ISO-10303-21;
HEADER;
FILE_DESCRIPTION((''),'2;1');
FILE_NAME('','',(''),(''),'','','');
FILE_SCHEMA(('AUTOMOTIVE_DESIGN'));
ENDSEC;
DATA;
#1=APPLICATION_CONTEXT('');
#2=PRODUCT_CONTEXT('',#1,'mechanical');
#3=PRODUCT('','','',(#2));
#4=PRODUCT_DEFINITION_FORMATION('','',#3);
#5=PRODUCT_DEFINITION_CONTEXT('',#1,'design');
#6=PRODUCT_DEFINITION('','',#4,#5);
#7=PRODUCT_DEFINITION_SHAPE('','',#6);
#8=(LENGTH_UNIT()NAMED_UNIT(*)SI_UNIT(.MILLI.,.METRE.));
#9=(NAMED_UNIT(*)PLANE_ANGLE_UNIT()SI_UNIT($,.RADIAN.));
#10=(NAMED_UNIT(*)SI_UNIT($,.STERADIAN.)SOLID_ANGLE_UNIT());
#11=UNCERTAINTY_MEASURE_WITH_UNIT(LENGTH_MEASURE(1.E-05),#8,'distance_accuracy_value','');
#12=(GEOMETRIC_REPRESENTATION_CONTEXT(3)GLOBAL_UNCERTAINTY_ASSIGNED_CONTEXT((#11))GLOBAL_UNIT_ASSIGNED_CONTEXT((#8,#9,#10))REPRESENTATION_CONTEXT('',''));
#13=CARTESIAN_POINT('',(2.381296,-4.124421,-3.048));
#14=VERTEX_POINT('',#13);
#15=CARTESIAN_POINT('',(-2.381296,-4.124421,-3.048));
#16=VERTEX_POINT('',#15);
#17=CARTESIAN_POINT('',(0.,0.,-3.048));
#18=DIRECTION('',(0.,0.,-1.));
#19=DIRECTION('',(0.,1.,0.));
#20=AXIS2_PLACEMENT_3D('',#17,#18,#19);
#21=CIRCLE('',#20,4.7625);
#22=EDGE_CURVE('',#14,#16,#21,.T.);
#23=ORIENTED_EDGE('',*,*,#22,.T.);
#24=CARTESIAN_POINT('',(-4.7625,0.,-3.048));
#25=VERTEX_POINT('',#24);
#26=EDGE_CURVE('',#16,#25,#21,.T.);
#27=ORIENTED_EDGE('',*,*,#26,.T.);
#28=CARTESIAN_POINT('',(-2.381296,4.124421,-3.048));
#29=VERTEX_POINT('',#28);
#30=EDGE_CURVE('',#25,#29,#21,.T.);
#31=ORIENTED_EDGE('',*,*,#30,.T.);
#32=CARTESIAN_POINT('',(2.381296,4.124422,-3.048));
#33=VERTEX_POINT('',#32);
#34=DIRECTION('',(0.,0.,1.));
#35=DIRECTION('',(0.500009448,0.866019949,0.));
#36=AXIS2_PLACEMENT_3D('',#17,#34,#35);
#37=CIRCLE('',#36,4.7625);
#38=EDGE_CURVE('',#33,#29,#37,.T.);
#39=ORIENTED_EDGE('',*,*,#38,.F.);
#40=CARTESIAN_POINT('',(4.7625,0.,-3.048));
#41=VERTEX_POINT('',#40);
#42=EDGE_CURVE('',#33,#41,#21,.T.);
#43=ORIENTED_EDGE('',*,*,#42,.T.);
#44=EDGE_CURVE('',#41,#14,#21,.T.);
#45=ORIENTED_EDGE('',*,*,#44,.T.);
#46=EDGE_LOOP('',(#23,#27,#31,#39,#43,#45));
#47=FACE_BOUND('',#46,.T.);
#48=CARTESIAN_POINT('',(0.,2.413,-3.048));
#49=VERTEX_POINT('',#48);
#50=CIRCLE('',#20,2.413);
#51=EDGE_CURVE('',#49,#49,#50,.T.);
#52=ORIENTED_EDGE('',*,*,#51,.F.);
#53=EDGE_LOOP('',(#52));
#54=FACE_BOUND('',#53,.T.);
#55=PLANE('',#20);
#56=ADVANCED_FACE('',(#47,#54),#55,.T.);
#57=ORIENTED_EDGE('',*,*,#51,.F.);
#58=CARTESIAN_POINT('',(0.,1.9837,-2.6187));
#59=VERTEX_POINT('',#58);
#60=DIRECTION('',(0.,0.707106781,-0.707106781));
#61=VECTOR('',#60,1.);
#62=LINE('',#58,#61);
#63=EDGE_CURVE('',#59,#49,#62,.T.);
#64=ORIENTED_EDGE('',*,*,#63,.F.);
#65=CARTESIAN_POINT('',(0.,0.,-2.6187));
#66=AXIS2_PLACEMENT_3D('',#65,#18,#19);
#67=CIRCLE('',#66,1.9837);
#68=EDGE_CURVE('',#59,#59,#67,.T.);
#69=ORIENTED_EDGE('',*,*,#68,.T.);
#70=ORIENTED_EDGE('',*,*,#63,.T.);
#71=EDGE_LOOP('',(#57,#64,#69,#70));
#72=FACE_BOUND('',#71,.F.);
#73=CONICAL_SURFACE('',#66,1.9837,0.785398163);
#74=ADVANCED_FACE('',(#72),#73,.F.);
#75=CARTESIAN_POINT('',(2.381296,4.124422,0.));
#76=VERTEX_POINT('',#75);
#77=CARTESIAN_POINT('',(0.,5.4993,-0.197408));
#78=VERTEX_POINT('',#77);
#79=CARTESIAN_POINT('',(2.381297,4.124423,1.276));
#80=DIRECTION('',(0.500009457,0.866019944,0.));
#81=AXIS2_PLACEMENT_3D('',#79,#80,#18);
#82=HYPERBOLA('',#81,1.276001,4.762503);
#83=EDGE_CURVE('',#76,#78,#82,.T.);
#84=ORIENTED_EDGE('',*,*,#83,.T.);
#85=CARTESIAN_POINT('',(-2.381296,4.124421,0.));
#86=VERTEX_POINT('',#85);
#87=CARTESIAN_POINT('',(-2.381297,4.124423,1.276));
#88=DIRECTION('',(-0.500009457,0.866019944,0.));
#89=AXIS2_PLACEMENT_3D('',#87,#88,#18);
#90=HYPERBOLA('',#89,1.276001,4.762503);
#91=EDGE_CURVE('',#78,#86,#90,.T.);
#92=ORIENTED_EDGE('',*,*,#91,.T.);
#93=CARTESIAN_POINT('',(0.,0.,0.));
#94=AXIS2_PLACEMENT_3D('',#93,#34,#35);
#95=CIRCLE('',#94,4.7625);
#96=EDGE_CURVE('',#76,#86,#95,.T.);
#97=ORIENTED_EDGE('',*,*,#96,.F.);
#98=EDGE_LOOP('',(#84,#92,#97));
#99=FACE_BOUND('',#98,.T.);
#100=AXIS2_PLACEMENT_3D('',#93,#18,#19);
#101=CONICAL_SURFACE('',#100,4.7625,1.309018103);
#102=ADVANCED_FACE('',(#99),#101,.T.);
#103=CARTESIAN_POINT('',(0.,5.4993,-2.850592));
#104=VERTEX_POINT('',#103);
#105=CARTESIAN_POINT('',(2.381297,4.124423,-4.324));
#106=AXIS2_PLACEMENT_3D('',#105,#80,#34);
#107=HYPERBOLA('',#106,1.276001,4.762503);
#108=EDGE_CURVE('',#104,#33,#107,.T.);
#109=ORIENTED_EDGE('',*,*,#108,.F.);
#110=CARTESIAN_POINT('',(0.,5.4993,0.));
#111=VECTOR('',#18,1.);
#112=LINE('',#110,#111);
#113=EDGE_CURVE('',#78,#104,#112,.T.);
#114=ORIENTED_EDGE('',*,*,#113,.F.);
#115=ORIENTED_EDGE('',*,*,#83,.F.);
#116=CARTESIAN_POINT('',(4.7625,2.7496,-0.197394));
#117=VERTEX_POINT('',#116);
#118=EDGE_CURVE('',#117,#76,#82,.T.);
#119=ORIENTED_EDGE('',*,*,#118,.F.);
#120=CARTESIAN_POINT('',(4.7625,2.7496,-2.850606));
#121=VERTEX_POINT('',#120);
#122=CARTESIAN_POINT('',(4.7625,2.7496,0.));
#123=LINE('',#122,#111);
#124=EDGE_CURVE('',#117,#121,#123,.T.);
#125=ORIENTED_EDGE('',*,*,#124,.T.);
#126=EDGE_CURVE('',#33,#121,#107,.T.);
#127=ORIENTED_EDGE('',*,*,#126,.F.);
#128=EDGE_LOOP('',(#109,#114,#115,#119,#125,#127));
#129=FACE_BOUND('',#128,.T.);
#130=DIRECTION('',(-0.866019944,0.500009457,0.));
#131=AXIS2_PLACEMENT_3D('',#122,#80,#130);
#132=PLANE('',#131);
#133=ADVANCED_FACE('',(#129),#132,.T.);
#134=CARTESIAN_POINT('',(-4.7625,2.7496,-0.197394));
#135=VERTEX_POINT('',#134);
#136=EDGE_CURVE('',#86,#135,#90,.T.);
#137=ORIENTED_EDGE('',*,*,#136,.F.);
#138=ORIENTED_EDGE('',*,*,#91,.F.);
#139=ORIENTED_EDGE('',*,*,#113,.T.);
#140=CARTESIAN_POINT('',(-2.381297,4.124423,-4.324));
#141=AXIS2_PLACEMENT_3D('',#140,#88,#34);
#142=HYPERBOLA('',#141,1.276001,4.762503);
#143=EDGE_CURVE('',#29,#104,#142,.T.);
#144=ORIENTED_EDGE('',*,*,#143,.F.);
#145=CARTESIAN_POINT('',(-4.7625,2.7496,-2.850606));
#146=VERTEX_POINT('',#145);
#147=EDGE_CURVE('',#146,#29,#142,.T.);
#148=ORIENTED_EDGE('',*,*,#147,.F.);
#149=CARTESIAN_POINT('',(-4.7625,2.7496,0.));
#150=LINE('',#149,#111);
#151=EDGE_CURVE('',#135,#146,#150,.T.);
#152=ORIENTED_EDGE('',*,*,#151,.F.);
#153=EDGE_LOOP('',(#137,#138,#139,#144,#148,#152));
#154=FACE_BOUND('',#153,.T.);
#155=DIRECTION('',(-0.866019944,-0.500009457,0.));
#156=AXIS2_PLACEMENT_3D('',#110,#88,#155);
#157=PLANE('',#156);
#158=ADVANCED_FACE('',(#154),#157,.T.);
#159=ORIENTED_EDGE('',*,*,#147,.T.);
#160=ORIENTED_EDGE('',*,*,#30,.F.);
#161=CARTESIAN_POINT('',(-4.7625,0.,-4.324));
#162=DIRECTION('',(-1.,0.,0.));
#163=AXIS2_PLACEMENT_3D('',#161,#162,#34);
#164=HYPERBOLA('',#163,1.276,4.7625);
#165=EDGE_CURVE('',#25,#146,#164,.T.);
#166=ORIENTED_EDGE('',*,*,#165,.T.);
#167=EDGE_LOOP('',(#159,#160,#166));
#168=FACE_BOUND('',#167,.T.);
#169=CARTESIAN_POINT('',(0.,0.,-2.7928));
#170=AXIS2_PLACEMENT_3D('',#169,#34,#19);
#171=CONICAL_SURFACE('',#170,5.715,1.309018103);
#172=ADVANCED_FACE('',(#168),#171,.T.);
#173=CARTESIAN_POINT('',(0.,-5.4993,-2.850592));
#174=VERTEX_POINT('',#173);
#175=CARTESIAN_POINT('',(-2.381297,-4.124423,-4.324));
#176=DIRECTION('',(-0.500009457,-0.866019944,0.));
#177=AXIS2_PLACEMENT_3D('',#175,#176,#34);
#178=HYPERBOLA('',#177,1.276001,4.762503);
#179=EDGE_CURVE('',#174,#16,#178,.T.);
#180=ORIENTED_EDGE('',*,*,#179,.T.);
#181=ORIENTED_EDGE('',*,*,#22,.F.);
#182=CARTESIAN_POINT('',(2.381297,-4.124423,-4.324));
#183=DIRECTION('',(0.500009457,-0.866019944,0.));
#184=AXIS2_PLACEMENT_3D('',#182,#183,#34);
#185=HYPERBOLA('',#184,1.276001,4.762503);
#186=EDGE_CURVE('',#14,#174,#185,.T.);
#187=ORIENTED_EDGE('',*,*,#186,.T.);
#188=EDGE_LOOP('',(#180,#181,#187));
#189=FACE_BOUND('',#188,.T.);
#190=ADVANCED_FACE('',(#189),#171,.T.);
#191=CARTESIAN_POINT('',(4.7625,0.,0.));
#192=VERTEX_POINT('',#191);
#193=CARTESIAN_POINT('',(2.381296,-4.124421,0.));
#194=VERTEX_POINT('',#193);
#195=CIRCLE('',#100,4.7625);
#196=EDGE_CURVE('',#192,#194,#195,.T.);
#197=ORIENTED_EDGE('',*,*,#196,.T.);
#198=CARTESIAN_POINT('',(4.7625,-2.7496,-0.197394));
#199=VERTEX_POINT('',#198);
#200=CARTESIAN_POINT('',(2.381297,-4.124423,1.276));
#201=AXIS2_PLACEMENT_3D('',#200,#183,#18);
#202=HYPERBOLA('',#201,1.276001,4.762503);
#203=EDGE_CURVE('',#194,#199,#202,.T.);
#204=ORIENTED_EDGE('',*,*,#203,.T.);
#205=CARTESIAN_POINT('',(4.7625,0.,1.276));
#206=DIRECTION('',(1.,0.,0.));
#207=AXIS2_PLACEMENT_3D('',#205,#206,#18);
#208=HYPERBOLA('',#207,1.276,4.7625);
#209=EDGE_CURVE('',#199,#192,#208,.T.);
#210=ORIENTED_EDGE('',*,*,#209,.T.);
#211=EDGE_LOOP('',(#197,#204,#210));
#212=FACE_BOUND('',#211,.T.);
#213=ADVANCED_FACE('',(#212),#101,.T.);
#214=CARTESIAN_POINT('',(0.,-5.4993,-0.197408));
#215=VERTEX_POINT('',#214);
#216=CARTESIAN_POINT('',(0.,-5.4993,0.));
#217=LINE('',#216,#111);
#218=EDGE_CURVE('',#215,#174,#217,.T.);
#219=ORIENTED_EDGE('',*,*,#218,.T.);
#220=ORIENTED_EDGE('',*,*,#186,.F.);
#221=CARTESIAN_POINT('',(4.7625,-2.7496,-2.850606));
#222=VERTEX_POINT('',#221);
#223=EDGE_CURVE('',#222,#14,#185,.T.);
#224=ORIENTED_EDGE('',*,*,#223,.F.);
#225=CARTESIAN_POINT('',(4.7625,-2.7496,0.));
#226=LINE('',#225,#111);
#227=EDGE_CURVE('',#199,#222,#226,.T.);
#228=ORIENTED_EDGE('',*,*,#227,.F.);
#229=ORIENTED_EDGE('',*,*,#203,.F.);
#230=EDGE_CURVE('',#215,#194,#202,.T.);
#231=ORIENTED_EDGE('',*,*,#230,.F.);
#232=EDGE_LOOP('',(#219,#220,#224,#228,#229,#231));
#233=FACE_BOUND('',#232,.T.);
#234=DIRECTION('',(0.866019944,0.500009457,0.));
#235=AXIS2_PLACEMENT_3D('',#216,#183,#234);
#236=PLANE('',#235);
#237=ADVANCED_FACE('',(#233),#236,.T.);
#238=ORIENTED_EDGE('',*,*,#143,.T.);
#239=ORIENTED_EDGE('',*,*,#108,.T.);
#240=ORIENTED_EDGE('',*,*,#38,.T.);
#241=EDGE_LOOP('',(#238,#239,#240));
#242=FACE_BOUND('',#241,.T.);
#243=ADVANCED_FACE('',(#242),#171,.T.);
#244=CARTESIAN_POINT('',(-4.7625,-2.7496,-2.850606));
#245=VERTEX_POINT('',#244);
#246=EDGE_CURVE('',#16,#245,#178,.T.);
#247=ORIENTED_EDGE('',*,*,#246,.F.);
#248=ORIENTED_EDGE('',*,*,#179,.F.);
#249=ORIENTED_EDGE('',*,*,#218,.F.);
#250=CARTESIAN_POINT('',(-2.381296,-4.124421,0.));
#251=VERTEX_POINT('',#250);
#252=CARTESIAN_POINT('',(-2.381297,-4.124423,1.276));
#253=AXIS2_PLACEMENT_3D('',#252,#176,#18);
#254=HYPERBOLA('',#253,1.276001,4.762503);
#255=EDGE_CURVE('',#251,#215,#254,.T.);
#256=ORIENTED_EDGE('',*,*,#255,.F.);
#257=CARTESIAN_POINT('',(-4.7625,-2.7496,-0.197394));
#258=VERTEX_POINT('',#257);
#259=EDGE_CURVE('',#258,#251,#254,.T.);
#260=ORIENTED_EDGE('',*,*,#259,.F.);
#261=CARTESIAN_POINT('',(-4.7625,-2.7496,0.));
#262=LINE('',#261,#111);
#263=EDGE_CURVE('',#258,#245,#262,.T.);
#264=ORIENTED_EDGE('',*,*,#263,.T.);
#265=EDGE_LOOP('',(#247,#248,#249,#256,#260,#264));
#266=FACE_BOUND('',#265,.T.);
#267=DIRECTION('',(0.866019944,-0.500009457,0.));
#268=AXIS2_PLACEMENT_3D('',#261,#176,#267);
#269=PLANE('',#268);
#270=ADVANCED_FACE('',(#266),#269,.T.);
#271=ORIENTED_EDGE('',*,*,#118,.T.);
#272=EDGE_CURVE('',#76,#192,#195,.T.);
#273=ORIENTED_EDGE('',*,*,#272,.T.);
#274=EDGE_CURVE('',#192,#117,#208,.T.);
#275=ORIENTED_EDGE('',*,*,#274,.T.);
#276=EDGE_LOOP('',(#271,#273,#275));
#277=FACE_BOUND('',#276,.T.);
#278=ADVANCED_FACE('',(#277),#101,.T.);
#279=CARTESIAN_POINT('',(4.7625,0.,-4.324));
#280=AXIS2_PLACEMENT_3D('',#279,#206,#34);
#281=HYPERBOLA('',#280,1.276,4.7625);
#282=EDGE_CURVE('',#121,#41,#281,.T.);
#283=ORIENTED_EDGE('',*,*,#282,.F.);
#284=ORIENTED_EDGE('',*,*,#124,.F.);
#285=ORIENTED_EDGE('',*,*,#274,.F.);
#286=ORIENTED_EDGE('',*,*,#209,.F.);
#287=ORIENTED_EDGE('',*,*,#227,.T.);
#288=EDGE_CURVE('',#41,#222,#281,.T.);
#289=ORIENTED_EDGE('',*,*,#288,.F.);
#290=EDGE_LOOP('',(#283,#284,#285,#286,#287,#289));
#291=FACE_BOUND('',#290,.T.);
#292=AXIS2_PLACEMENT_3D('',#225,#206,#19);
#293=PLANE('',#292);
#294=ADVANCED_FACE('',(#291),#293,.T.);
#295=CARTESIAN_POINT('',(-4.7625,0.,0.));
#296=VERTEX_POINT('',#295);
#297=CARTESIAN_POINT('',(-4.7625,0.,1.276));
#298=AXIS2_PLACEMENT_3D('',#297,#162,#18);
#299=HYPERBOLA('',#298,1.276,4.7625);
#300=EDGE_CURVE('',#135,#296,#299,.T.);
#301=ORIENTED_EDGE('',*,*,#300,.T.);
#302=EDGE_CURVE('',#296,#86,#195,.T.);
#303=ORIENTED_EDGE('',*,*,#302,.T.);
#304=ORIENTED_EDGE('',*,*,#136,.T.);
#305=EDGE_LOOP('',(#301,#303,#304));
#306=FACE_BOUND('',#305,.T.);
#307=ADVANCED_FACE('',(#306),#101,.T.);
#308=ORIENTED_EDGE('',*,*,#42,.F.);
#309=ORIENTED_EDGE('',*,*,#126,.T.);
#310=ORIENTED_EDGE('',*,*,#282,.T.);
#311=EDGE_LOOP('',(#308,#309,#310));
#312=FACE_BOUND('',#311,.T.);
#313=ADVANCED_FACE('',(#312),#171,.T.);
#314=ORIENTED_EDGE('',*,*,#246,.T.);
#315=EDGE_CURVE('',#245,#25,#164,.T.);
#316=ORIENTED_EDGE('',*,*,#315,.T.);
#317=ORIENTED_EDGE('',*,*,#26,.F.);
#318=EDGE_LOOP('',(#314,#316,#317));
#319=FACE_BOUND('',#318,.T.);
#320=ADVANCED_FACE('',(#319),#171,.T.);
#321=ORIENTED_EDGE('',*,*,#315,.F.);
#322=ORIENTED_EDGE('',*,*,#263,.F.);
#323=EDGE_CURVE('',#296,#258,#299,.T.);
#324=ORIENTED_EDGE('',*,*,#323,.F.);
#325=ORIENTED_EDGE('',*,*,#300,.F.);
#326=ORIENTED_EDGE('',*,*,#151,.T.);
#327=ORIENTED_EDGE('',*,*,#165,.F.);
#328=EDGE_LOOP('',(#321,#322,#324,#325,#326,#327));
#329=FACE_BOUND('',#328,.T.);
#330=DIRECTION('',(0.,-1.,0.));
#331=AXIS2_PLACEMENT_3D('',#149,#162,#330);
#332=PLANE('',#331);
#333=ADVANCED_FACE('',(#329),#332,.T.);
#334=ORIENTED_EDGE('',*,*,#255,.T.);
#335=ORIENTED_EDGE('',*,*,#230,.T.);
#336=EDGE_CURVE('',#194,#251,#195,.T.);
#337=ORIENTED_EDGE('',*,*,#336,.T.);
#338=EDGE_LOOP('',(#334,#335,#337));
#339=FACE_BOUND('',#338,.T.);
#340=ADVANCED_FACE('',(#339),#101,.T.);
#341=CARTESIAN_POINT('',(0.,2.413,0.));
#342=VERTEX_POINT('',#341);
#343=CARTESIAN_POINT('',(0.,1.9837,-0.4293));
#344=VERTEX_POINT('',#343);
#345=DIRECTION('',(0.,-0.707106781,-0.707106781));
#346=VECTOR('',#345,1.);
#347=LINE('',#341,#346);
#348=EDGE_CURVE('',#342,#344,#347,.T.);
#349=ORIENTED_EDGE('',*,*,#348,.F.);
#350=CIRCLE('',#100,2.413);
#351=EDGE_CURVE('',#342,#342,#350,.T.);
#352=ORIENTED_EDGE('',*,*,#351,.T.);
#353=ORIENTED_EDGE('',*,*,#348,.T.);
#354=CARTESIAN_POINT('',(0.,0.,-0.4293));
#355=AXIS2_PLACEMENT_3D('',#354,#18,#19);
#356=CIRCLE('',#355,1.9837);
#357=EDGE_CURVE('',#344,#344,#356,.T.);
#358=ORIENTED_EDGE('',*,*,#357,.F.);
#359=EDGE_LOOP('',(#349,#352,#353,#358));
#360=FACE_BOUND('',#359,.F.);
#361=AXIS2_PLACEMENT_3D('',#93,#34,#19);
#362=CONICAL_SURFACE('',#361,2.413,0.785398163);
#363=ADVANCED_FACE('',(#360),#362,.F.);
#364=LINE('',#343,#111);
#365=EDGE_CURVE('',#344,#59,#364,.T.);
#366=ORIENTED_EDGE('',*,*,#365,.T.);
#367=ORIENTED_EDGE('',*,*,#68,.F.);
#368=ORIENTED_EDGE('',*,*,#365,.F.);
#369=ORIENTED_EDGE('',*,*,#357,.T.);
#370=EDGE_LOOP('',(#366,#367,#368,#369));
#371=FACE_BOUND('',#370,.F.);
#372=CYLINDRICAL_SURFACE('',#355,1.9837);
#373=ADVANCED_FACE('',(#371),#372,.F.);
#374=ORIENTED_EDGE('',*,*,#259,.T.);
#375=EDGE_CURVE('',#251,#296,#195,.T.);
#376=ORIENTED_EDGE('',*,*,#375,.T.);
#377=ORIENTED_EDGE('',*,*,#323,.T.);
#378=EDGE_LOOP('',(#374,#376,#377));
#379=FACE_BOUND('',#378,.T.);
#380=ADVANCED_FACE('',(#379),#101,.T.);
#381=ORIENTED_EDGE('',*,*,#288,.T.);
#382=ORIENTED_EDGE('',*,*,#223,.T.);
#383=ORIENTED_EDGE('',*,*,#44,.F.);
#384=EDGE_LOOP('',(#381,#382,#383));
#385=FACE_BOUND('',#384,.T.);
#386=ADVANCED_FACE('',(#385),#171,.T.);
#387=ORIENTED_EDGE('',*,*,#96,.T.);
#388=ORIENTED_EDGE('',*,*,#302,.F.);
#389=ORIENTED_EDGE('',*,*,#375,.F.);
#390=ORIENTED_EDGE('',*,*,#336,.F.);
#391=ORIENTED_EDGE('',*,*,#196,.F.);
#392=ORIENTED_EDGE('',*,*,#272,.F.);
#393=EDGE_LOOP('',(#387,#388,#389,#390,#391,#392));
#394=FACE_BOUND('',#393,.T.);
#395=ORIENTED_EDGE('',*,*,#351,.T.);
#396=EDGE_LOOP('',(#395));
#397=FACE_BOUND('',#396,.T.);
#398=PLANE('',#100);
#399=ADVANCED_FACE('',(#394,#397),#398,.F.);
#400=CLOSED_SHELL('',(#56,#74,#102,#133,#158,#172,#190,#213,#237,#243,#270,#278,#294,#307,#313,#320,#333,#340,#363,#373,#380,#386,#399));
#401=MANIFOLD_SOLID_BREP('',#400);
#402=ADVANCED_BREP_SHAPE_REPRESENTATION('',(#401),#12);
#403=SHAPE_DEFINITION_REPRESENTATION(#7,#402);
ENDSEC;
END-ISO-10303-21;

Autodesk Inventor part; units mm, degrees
sketch "Sketch_8" plane through (0, 0, 0) normal (1, 0, 0) x (0, 1, 0)
  line L0 (0, -3.048) -> (0, 0)
  line L1 (0, 0) -> (4.7625, 0)
  line L2 (4.7625, 0) -> (5.715, -0.2552)
  line L3 (5.715, -0.2552) -> (5.715, -2.7928)
  line L4 (5.715, -2.7928) -> (4.7625, -3.048)
  line L5 (4.7625, -3.048) -> (0, -3.048)
  line L6 (0, -3.048) -> (0, 0)
sketch "Sketch_10" plane through (0, 0, 0) normal (0, 0, 1) x (1, 0, 0)
  line L0 (-9.525, -9.525) -> (9.525, -9.525)
  line L1 (9.525, -9.525) -> (9.525, 9.525)
  line L2 (9.525, 9.525) -> (-9.525, 9.525)
  line L3 (-9.525, 9.525) -> (-9.525, -9.525)
  line L4 (-4.7625, -2.7496) -> (0, -5.4993)
  line L5 (0, -5.4993) -> (4.7625, -2.7496)
  line L6 (4.7625, -2.7496) -> (4.7625, 2.7496)
  line L7 (4.7625, 2.7496) -> (0, 5.4993)
  line L8 (0, 5.4993) -> (-4.7625, 2.7496)
  line L9 (-4.7625, 2.7496) -> (-4.7625, -2.7496)
revolve "Revolution1" add sketch "Sketch_8" angle 360 about axis through (0, 0, -3.048) along (0, 0, -1)
extrude "Extrusion1" cut sketch "Sketch_10" against normal blind 3.048
sketch "Sketch_11" plane through (0, 0, 0) normal (1, 0, 0) x (0, 1, 0)
  line L0 (0, -3.048) -> (0, 0)
  line L1 (0, 0) -> (2.413, 0)
  line L2 (2.413, 0) -> (1.9837, -0.4293)
  line L3 (1.9837, -0.4293) -> (1.9837, -2.6187)
  line L4 (1.9837, -2.6187) -> (2.413, -3.048)
  line L5 (2.413, -3.048) -> (0, -3.048)
  line L6 (0, -3.048) -> (0, 0)
revolve "Revolution2" cut sketch "Sketch_11" angle 360 about axis through (0, 0, -3.048) along (0, 0, -1)
thread "Thread1" size "10-32 UNF" class "2B" standard "ANSI Unified Screw Threads" full length
ref_plane "NUT_XY" through (0, 0, 0) normal (0, 0, 1) x (1, 0, 0)
ref_plane "NUT_YZ" through (0, 0, 0) normal (1, 0, 0) x (0, 1, 0)
ref_plane "NUT_ZX" through (0, 0, 0) normal (0, 1, 0) x (0, 0, 1)
ref_plane "a1_XY" through (-4.7625, 4.7625, 0) normal (0, 0, 1) x (1, 0, 0)
ref_plane "a1_YZ" through (-4.7625, 4.7625, 0) normal (1, 0, 0) x (0, 1, 0)
ref_plane "a1_ZX" through (-4.7625, 4.7625, 0) normal (0, 1, 0) x (0, 0, 1)
ref_plane "a2_XY" through (4.7625, 4.7625, 0) normal (0, 0, 1) x (1, 0, 0)
ref_plane "a2_YZ" through (4.7625, 4.7625, 0) normal (1, 0, 0) x (0, 1, 0)
ref_plane "a2_ZX" through (4.7625, 4.7625, 0) normal (0, 1, 0) x (0, 0, 1)
ref_plane "b1_XY" through (0, 4.7625, 0) normal (1, 0, 0) x (0, 0, -1)
ref_plane "b1_YZ" through (0, 4.7625, 0) normal (0, 0, -1) x (0, 1, 0)
ref_plane "b1_ZX" through (0, 4.7625, 0) normal (0, 1, 0) x (1, 0, 0)
ref_plane "b2_XY" through (0, 4.7625, -3.048) normal (1, 0, 0) x (0, 0, -1)
ref_plane "b2_YZ" through (0, 4.7625, -3.048) normal (0, 0, -1) x (0, 1, 0)
ref_plane "b2_ZX" through (0, 4.7625, -3.048) normal (0, 1, 0) x (1, 0, 0)
ref_plane "e_XY" through (0, 0, -3.048) normal (1, 0, 0) x (0, 0, -1)
ref_plane "e_YZ" through (0, 0, -3.048) normal (0, 0, -1) x (0, 1, 0)
ref_plane "e_ZX" through (0, 0, -3.048) normal (0, 1, 0) x (1, 0, 0)
ref_plane "ol1_XY" through (0, 0, -4.7625) normal (0, 1, 0) x (1, 0, 0)
ref_plane "ol1_YZ" through (0, 0, -4.7625) normal (1, 0, 0) x (0, 0, -1)
ref_plane "ol1_ZX" through (0, 0, -4.7625) normal (0, 0, -1) x (0, 1, 0)
ref_plane "ol2_XY" through (3.048, 0, -4.7625) normal (0, 1, 0) x (1, 0, 0)
ref_plane "ol2_YZ" through (3.048, 0, -4.7625) normal (1, 0, 0) x (0, 0, -1)
ref_plane "ol2_ZX" through (3.048, 0, -4.7625) normal (0, 0, -1) x (0, 1, 0)
ref_plane "th1_XY" through (0, 2.413, -3.048) normal (1, 0, 0) x (0, 0, -1)
ref_plane "th1_YZ" through (0, 2.413, -3.048) normal (0, 0, -1) x (0, 1, 0)
ref_plane "th1_ZX" through (0, 2.413, -3.048) normal (0, 1, 0) x (1, 0, 0)
ref_plane "th2_XY" through (0, -2.413, -3.048) normal (1, 0, 0) x (0, 0, -1)
ref_plane "th2_YZ" through (0, -2.413, -3.048) normal (0, 0, -1) x (0, 1, 0)
ref_plane "th2_ZX" through (0, -2.413, -3.048) normal (0, 1, 0) x (1, 0, 0)
properties part number "D-5288"
